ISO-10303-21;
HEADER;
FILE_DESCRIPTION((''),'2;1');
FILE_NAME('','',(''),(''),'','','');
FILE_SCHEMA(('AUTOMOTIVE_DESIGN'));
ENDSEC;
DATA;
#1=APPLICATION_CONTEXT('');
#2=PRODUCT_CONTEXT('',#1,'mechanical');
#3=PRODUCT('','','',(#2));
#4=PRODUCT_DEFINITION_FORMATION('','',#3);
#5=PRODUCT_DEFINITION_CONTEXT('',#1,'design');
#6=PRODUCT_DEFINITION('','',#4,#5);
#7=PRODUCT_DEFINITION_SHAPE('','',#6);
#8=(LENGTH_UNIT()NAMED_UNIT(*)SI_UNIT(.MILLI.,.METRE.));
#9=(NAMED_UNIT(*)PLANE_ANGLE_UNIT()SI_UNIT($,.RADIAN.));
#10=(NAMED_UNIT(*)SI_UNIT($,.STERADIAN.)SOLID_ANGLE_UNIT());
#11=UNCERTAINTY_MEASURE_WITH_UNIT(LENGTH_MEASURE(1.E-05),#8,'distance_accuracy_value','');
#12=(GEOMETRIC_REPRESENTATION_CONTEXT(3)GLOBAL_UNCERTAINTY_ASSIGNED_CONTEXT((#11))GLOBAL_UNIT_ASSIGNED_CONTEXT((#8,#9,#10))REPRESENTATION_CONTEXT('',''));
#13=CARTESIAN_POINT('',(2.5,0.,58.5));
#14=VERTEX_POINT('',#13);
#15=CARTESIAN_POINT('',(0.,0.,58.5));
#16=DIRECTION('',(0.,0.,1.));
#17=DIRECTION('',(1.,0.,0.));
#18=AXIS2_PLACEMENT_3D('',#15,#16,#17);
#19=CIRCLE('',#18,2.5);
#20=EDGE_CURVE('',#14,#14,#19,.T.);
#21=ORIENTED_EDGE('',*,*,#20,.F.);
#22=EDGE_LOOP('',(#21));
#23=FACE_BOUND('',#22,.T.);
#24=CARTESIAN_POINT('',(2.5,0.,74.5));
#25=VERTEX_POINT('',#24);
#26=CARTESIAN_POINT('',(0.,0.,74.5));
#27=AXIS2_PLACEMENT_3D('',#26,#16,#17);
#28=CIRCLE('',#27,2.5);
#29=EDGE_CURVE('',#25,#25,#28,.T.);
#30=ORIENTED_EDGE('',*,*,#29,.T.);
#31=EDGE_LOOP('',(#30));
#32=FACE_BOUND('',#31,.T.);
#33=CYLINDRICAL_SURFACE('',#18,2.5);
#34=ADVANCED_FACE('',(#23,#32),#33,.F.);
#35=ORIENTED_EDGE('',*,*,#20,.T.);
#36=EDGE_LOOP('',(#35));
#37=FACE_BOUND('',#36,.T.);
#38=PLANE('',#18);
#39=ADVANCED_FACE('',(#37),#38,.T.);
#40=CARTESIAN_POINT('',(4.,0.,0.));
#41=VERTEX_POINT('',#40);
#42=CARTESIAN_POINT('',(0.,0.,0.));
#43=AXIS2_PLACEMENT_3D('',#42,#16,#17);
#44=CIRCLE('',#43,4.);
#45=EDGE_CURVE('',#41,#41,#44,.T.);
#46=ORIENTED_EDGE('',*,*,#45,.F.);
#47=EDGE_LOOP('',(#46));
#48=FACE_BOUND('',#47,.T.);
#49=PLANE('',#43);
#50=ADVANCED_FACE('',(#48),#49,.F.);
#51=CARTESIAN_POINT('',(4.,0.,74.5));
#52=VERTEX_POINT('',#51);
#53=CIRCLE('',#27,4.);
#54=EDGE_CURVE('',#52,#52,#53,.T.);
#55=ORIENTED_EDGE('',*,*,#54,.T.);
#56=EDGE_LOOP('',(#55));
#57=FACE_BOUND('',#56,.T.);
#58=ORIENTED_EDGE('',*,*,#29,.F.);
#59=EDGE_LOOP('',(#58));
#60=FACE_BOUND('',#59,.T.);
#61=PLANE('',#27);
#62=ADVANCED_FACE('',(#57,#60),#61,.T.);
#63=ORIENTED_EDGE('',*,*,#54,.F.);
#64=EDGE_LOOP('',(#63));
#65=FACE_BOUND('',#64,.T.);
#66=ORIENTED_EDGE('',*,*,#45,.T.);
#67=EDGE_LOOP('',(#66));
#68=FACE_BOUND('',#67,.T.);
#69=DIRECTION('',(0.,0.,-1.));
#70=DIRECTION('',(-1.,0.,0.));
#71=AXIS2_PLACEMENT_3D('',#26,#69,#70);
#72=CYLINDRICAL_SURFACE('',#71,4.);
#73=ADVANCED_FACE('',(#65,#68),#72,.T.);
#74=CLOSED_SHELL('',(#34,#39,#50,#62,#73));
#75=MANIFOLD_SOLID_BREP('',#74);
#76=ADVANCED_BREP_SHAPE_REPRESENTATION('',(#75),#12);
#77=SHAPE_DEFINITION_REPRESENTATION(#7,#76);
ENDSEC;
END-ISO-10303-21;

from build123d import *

# Parameters (mm, degrees)
SKETCH1_R           = 4
BOSS_EXTRUDE1_DEPTH = 74.5
SKETCH2_R           = 2.5
CUT_EXTRUDE1_DEPTH  = 16


with BuildPart() as part:
    # Sketch1 → Boss-Extrude1 (new body)
    with BuildSketch(Plane.XY):
        Circle(SKETCH1_R)
    extrude(amount=BOSS_EXTRUDE1_DEPTH)

    # Sketch2 → Cut-Extrude1 (cut)
    with BuildSketch(Plane.XY.offset(74.5)):
        Circle(SKETCH2_R)
    extrude(amount=-CUT_EXTRUDE1_DEPTH, mode=Mode.SUBTRACT)


solid = part.part
